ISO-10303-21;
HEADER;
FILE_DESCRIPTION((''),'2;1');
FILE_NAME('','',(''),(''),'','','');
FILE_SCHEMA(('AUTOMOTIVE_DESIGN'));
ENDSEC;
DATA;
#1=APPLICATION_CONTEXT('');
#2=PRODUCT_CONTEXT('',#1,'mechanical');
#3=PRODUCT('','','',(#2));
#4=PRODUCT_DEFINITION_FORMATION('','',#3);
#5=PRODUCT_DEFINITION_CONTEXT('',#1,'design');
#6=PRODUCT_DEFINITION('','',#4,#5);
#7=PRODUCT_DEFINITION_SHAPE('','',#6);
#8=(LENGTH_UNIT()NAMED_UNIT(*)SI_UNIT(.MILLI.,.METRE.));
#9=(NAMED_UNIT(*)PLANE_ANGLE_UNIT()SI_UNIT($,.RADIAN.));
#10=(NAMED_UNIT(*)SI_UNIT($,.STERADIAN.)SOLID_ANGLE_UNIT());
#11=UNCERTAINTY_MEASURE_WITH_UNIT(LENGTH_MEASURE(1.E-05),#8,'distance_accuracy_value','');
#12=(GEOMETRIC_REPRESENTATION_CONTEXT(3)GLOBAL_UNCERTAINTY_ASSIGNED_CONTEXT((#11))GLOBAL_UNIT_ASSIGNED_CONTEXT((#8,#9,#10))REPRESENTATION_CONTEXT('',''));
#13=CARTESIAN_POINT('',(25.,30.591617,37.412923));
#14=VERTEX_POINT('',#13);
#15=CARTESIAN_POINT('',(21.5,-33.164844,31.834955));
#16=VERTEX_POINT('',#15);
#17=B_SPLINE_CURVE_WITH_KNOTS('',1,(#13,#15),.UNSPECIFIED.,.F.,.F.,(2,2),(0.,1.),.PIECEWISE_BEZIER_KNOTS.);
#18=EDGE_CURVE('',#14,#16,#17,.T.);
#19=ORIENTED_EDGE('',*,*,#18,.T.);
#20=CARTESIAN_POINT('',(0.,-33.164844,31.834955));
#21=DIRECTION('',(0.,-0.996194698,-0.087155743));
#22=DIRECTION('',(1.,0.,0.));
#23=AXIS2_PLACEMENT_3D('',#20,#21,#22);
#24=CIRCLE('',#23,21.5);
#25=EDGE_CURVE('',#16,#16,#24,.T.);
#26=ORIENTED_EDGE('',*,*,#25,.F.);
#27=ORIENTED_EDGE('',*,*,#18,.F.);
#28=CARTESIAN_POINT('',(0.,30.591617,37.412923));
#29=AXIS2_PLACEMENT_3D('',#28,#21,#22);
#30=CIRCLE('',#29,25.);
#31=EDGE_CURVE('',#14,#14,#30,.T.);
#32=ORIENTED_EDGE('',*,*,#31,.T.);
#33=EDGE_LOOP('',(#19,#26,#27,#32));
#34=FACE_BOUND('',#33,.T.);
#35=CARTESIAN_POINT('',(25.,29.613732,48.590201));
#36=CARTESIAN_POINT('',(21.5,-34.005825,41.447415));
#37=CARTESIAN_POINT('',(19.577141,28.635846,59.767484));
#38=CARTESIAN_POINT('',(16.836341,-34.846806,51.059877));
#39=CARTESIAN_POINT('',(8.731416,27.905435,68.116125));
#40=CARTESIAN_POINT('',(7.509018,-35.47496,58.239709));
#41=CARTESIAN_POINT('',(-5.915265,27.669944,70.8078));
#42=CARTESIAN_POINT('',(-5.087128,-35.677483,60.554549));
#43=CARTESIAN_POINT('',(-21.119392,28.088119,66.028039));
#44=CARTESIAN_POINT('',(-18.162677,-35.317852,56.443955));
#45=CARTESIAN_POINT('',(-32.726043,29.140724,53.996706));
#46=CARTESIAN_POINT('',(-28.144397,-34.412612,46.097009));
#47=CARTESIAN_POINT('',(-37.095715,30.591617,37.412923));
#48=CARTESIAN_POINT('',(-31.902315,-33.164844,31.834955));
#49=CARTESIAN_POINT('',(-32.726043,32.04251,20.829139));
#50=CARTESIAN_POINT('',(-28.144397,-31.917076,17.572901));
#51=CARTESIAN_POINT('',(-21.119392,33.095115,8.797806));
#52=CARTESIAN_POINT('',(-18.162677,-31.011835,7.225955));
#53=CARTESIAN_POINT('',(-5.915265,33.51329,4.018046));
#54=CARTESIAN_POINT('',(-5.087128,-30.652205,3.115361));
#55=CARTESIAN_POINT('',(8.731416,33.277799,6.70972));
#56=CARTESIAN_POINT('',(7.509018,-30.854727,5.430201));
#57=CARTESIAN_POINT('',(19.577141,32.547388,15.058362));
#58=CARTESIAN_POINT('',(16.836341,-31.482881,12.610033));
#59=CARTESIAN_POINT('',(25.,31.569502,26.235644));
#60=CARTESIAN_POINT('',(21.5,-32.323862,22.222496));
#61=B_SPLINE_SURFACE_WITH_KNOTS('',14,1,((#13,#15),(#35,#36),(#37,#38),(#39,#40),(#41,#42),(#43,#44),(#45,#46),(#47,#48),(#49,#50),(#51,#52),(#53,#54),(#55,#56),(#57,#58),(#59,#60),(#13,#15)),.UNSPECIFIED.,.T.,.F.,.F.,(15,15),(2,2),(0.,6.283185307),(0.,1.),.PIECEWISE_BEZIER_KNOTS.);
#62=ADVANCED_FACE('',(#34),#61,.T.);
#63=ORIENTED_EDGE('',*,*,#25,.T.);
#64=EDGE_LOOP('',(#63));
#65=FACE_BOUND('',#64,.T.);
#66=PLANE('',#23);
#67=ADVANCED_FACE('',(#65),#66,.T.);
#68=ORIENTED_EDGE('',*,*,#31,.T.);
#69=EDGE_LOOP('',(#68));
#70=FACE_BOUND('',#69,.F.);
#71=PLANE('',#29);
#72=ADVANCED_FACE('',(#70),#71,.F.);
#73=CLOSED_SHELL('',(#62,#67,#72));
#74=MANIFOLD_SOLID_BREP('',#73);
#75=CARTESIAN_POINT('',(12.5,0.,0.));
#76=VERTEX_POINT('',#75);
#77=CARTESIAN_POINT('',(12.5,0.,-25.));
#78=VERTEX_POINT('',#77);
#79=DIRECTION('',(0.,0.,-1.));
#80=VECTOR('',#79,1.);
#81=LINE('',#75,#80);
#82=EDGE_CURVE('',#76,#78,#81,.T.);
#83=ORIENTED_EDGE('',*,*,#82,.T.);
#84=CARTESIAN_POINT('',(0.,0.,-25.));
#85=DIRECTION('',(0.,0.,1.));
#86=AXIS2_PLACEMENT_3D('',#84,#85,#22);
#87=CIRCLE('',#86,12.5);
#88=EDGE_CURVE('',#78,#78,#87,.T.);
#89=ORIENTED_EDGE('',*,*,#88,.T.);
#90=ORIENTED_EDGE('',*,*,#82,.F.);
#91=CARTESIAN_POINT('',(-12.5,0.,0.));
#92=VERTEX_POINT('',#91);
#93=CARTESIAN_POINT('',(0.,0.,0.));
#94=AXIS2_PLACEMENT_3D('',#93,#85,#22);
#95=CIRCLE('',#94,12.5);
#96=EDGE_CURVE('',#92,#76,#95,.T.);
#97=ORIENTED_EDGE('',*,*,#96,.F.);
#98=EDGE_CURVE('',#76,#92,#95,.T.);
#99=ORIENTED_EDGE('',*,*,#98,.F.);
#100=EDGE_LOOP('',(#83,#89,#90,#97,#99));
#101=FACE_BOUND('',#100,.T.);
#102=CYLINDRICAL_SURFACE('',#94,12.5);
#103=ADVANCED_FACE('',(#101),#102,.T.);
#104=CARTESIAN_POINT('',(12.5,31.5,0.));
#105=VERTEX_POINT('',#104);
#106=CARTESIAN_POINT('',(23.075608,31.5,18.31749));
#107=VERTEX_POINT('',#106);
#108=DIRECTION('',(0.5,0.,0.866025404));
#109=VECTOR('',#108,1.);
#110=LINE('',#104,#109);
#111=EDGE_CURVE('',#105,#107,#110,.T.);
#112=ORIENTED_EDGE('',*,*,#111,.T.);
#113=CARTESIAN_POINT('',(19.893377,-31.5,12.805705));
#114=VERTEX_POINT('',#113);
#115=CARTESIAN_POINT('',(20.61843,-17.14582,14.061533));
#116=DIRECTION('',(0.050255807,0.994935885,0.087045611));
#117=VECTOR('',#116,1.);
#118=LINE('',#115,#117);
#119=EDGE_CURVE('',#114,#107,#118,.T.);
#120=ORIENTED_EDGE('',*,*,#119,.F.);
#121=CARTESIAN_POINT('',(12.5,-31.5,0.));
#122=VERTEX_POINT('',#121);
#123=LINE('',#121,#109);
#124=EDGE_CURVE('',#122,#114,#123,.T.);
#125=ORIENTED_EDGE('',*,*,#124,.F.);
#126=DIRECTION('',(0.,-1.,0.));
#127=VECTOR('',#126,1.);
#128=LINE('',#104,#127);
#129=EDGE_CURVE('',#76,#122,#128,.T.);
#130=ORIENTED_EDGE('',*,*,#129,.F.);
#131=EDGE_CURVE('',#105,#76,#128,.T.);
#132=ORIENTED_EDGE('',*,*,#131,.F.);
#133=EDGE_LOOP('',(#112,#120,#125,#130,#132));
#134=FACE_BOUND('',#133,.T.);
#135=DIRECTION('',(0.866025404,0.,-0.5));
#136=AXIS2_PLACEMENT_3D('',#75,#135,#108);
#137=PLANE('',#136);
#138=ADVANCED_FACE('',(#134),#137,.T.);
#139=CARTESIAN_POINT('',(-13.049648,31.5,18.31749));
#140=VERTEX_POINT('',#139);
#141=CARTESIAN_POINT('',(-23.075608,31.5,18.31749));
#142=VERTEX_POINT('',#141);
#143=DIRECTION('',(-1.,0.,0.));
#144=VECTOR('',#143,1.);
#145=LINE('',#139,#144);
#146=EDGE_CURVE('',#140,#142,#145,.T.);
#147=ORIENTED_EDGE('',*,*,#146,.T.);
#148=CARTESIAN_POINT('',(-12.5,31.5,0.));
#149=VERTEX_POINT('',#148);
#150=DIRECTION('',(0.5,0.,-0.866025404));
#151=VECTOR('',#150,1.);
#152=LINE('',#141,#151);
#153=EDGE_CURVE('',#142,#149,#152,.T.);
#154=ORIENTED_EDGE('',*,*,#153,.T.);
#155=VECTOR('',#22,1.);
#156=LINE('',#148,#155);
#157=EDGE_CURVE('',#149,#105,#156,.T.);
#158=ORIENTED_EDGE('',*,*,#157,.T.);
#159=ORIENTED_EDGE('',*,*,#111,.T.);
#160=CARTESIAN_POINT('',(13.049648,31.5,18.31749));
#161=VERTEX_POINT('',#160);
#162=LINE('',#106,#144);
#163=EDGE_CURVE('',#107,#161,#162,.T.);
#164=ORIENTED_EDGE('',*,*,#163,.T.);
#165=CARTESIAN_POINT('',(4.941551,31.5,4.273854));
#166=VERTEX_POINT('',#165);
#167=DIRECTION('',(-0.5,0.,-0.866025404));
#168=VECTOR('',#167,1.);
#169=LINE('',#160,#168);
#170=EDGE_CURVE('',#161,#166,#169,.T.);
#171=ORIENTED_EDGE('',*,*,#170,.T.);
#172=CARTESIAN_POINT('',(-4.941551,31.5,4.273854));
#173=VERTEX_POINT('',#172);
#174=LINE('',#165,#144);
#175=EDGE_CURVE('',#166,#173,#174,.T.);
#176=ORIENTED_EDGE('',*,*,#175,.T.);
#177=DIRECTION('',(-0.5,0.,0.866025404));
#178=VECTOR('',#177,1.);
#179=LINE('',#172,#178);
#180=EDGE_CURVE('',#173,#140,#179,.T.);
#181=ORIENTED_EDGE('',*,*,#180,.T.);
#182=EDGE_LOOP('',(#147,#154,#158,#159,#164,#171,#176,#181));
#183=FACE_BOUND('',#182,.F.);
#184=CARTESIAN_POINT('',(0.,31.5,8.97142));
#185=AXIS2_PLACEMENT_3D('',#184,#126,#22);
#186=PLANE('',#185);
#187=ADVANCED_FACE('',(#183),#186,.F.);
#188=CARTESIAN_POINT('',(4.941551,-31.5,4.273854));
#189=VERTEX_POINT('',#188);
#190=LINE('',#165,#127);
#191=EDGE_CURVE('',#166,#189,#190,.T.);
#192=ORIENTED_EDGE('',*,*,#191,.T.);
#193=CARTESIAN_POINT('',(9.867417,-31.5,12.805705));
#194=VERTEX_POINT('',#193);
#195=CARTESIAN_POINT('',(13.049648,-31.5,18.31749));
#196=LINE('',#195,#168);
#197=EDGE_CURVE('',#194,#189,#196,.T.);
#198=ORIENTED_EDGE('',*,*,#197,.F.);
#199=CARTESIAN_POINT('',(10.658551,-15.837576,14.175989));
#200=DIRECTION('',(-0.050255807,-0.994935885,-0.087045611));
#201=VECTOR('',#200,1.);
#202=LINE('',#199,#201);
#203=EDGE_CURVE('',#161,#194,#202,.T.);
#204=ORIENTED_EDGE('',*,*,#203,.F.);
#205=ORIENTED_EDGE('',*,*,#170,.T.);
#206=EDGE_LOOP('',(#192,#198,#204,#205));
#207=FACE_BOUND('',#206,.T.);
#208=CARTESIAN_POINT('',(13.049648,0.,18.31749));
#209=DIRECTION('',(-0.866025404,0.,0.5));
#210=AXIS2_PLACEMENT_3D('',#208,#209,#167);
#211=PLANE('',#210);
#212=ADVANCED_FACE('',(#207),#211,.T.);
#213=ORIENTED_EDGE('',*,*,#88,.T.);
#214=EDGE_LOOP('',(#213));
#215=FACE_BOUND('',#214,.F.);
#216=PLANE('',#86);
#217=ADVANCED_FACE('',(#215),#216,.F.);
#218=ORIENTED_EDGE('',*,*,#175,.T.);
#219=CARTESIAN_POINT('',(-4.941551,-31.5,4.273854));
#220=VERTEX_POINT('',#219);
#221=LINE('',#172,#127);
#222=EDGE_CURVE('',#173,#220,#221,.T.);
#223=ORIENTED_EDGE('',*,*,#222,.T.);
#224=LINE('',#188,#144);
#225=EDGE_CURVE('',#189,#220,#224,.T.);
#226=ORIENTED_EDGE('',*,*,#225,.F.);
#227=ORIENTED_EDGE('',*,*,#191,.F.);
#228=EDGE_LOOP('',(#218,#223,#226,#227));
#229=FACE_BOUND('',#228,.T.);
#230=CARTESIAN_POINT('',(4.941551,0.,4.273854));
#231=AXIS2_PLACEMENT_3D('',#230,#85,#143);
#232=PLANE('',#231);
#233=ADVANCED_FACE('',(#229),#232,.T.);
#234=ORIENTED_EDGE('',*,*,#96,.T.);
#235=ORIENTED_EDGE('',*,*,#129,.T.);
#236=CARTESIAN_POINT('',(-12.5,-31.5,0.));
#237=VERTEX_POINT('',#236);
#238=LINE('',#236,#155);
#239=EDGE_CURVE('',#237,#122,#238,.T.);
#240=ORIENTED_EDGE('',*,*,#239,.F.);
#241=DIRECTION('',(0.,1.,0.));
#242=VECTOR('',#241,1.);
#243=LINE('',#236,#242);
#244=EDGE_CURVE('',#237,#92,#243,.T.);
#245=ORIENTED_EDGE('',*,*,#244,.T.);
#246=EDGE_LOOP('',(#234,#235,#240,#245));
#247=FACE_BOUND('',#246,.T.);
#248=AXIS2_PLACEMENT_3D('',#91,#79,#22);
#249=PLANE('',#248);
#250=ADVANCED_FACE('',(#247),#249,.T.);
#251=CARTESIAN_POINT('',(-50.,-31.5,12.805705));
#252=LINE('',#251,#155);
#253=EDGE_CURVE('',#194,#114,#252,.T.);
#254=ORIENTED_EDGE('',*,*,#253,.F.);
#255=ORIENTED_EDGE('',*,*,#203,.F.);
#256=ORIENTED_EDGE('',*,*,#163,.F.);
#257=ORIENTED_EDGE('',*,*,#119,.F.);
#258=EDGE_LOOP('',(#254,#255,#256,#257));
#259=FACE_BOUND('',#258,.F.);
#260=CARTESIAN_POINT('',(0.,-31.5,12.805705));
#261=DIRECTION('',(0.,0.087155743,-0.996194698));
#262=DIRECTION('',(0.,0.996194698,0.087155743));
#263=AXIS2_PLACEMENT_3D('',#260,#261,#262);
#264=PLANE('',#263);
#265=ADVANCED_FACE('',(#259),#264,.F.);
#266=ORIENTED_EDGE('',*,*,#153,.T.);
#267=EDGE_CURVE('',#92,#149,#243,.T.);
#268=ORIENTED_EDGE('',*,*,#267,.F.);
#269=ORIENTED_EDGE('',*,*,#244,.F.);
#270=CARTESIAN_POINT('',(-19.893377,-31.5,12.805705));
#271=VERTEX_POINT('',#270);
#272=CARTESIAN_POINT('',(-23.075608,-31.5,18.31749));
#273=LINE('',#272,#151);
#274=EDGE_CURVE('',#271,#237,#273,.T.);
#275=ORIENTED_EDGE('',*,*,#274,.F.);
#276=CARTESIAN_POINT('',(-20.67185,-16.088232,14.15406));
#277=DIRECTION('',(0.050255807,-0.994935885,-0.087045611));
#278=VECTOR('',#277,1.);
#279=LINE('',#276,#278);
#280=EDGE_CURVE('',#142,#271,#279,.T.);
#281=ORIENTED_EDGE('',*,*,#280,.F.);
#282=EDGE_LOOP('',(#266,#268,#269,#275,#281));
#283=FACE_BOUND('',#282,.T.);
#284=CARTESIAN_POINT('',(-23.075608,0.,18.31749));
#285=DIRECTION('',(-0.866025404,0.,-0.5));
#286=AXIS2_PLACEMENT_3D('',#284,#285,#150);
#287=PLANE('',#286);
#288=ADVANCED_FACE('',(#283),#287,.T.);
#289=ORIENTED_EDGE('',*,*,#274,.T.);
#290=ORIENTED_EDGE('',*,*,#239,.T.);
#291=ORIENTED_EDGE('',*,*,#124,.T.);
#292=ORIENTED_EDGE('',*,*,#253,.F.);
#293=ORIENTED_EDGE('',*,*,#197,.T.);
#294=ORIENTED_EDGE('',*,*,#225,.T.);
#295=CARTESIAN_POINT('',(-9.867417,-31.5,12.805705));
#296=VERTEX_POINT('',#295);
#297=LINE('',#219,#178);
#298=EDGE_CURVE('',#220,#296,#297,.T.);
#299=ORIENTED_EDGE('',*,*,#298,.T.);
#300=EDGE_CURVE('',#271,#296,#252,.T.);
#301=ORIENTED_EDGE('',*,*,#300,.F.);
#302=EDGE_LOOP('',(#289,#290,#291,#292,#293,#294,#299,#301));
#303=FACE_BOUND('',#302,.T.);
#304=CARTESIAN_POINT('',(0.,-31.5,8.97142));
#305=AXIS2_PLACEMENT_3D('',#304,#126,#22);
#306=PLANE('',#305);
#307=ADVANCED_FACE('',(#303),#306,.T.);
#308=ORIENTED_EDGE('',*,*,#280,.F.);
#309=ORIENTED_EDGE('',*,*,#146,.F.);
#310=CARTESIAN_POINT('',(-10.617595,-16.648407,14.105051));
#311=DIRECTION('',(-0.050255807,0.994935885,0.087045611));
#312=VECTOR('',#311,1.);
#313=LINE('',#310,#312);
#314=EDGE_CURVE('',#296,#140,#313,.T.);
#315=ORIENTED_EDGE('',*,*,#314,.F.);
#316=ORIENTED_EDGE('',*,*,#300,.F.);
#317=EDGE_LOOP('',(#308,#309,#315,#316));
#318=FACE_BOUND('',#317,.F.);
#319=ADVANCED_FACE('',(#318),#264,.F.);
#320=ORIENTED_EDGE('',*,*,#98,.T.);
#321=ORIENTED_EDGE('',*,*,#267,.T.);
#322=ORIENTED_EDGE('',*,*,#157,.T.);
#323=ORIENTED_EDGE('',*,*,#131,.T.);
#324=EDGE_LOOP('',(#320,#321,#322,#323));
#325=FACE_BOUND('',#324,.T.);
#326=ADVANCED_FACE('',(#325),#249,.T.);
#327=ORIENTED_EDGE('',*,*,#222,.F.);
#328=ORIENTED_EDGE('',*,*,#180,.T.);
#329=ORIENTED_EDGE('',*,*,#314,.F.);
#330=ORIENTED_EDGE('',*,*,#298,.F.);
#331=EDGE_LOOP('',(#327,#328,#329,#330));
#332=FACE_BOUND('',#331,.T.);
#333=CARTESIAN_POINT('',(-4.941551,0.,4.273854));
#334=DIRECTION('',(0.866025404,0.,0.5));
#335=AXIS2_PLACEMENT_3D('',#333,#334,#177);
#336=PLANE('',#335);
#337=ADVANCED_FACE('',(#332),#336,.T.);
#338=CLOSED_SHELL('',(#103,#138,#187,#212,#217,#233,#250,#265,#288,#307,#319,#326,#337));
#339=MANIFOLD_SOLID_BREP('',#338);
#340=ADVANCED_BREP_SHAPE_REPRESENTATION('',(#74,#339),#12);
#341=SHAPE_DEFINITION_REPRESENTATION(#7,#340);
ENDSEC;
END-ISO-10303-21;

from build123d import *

# Parameters (mm, degrees)
F0_R     = 12.5
F2_DEPTH = 25
F3_DEPTH = 31.5
F5_DEPTH = 50
F9_R     = 25
F7_R     = 21.5


with BuildPart() as f2:
    # F0 (on Top) → F2 (new body)
    with BuildSketch(Plane.XY):
        Circle(F0_R)
    extrude(amount=-F2_DEPTH)

    # F1 (on Front) → F3 (join, symmetric)
    with BuildSketch(Plane.XZ):
        Polygon((-12.5, 0), (12.5, 0), (23.0756080491, 18.317490462), (13.0496482004, 18.317490462), (4.9415511342, 4.2738543907), (-4.9415511342, 4.2738543907), (-13.0496482004, 18.317490462), (-23.0756080491, 18.317490462), align=None)
    extrude(amount=F3_DEPTH, both=True)

    # F4 (on Right) → F5 (cut, symmetric)
    with BuildSketch(Plane.YZ):
        Polygon((-31.5, 41.0514958203), (-31.5, 18.317490462), (-31.5, 12.8057046598), (31.5, 18.317490462), (31.5, 41.0514958203), align=None)
    extrude(amount=F5_DEPTH, both=True, mode=Mode.SUBTRACT)


with BuildPart() as f10:
    # F9 (on offset) → F10 section 0
    with BuildSketch(Plane(origin=(0, 33.6075822069, 2.9402824516), x_dir=(1, 0, 0), z_dir=(0, -0.9961946981, -0.0871557427))):
        with Locations((0, 34.6043201034)):
            Circle(F9_R)
    # F7 (on line) → F10 section 1
    with BuildSketch(Plane(origin=(0, -30.148878471, -2.6376850842), x_dir=(1, 0, 0), z_dir=(0, -0.9961946981, -0.0871557427))):
        with Locations((0, 34.6043201034)):
            Circle(F7_R)
    loft()


solid = Compound([f2.part, f10.part])
